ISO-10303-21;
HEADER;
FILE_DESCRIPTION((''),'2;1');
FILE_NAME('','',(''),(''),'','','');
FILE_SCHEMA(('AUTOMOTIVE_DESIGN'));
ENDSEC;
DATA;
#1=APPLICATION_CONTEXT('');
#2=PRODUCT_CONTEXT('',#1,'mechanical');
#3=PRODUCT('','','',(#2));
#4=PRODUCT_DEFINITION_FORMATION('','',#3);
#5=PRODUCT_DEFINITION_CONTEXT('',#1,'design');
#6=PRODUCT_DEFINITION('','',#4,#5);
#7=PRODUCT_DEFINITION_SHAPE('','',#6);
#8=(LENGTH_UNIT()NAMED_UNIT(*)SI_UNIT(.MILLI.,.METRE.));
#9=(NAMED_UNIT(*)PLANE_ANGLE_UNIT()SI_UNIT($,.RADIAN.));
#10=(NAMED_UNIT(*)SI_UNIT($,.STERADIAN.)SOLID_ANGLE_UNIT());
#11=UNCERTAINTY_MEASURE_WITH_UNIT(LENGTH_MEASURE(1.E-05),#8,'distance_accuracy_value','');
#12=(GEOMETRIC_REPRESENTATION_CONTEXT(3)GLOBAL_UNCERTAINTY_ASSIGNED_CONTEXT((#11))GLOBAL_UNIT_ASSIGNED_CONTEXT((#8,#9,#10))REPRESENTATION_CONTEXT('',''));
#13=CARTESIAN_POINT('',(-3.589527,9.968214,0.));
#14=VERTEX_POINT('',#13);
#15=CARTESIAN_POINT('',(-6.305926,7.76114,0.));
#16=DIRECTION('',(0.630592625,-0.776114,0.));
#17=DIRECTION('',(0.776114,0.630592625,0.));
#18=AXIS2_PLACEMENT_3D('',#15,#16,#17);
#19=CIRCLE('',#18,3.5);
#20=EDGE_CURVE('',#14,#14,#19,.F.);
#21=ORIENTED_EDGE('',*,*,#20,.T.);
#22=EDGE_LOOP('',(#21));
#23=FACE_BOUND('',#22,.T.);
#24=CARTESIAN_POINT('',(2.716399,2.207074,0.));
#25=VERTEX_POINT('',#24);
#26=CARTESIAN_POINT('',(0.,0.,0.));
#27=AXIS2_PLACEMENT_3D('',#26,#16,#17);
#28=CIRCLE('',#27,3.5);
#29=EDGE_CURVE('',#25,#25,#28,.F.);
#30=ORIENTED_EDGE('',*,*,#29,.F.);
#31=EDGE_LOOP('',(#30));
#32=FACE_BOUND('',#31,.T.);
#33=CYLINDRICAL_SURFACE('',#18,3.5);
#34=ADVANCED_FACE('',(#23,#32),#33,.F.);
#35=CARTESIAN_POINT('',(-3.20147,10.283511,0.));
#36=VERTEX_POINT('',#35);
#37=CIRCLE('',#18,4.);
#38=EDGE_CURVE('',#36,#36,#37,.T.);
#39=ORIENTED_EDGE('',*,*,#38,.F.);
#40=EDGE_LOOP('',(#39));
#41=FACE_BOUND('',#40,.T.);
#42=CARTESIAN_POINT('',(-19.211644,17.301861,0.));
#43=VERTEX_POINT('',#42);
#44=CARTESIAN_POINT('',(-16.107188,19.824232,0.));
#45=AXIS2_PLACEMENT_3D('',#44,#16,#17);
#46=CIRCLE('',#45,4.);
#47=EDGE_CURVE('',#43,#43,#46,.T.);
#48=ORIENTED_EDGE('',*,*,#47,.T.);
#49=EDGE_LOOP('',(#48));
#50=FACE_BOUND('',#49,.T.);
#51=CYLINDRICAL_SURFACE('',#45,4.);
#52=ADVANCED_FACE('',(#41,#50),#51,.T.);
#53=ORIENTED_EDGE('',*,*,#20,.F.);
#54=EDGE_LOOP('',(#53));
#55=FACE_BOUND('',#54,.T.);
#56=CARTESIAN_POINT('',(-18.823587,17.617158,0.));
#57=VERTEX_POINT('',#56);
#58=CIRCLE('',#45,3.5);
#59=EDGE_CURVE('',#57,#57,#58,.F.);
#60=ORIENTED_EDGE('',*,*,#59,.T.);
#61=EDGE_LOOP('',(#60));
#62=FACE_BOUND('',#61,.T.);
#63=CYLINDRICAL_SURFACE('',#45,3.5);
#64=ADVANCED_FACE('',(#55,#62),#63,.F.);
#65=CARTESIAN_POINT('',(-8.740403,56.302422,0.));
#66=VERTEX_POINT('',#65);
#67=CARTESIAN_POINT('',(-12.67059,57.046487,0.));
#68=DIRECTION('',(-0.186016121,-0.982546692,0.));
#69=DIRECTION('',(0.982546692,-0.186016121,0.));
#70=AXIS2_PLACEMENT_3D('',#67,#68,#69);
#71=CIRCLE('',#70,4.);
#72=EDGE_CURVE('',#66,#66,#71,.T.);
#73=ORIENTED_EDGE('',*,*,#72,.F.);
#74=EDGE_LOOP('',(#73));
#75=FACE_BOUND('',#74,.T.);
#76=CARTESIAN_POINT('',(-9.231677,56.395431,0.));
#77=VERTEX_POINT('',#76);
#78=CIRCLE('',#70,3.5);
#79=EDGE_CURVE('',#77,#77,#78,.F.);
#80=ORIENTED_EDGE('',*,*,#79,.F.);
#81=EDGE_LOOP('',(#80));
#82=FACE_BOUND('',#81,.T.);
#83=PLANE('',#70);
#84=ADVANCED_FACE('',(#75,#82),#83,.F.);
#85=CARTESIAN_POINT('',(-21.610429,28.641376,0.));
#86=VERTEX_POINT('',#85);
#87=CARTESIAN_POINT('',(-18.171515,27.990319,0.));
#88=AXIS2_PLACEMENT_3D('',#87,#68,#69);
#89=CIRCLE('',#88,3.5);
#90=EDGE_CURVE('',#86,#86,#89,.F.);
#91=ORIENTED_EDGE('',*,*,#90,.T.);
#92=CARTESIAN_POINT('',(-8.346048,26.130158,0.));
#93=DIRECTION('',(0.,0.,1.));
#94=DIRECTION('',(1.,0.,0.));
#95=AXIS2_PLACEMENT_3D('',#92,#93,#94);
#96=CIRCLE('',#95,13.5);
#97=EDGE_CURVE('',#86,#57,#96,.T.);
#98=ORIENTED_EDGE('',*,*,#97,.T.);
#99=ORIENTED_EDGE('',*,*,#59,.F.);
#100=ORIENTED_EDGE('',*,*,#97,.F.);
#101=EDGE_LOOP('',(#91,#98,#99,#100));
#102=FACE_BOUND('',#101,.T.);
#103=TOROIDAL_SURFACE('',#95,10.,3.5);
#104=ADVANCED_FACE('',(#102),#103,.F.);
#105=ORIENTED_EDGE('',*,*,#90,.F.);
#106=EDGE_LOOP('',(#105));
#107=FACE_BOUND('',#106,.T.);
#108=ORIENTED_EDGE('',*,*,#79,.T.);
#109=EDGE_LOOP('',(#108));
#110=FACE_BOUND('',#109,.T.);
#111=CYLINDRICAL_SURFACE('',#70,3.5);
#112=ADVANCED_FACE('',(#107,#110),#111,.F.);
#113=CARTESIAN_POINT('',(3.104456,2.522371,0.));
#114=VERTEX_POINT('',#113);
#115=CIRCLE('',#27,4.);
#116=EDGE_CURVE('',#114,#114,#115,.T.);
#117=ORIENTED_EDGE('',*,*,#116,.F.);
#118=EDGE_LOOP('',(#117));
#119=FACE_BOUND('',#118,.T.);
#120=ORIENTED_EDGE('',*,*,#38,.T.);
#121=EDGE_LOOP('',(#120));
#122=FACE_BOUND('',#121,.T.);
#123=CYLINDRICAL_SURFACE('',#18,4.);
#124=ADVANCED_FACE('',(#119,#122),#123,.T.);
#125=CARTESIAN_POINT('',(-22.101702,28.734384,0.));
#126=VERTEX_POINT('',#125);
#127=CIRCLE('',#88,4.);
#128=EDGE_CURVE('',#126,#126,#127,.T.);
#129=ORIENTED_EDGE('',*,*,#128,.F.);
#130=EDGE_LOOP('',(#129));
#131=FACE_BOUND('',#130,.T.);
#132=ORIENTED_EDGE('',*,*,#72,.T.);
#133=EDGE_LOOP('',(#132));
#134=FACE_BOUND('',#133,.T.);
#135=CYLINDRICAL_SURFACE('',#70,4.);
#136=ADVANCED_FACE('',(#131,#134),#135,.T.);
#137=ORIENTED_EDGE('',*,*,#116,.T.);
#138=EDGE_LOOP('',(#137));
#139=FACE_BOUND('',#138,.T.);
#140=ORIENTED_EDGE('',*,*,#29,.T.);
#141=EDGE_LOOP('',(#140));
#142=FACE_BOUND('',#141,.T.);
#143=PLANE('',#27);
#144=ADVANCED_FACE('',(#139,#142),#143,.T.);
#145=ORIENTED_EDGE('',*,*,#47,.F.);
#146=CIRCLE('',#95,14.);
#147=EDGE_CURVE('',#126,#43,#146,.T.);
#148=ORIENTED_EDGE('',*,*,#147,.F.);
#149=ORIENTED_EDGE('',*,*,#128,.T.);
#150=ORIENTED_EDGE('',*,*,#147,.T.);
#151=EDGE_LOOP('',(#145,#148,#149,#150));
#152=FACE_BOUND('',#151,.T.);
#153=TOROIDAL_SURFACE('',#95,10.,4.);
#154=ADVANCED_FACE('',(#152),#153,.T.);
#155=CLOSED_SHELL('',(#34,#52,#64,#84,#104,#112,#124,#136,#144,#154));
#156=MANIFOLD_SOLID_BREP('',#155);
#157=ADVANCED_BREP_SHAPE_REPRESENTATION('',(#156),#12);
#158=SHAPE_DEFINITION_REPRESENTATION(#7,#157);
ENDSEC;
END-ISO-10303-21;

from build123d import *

# Parameters (mm, degrees)
SKETCH_2_R   = 4
SKETCH_2_R_2 = 3.5


with BuildPart() as part:
    # По траектории1: sweep along a path in Эскиз1
    with BuildLine(Plane.XY) as sweep_1_path:
        Line((-12.67059026, 57.046486939), (-18.171515217, 27.990319213))
        ThreePointArc((-18.171515217, 27.990319213), (-18.041069279, 23.679327915), (-16.107188295, 19.824231748))
        Line((-16.107188295, 19.824231748), (-6.305926251, 7.761140001))
        Line((-6.305926251, 7.761140001), (0, 0))
    # Эскиз2 → По траектории1 (sweep)
    with BuildSketch(Plane(origin=(0, 0, 0), x_dir=(-0.7761140001162656, -0.6305926250944656, 0), z_dir=(0.6305926250944656, -0.7761140001162656, 0))):
        Circle(SKETCH_2_R)
        Circle(SKETCH_2_R_2, mode=Mode.SUBTRACT)
    sweep(path=sweep_1_path.line)


solid = part.part
